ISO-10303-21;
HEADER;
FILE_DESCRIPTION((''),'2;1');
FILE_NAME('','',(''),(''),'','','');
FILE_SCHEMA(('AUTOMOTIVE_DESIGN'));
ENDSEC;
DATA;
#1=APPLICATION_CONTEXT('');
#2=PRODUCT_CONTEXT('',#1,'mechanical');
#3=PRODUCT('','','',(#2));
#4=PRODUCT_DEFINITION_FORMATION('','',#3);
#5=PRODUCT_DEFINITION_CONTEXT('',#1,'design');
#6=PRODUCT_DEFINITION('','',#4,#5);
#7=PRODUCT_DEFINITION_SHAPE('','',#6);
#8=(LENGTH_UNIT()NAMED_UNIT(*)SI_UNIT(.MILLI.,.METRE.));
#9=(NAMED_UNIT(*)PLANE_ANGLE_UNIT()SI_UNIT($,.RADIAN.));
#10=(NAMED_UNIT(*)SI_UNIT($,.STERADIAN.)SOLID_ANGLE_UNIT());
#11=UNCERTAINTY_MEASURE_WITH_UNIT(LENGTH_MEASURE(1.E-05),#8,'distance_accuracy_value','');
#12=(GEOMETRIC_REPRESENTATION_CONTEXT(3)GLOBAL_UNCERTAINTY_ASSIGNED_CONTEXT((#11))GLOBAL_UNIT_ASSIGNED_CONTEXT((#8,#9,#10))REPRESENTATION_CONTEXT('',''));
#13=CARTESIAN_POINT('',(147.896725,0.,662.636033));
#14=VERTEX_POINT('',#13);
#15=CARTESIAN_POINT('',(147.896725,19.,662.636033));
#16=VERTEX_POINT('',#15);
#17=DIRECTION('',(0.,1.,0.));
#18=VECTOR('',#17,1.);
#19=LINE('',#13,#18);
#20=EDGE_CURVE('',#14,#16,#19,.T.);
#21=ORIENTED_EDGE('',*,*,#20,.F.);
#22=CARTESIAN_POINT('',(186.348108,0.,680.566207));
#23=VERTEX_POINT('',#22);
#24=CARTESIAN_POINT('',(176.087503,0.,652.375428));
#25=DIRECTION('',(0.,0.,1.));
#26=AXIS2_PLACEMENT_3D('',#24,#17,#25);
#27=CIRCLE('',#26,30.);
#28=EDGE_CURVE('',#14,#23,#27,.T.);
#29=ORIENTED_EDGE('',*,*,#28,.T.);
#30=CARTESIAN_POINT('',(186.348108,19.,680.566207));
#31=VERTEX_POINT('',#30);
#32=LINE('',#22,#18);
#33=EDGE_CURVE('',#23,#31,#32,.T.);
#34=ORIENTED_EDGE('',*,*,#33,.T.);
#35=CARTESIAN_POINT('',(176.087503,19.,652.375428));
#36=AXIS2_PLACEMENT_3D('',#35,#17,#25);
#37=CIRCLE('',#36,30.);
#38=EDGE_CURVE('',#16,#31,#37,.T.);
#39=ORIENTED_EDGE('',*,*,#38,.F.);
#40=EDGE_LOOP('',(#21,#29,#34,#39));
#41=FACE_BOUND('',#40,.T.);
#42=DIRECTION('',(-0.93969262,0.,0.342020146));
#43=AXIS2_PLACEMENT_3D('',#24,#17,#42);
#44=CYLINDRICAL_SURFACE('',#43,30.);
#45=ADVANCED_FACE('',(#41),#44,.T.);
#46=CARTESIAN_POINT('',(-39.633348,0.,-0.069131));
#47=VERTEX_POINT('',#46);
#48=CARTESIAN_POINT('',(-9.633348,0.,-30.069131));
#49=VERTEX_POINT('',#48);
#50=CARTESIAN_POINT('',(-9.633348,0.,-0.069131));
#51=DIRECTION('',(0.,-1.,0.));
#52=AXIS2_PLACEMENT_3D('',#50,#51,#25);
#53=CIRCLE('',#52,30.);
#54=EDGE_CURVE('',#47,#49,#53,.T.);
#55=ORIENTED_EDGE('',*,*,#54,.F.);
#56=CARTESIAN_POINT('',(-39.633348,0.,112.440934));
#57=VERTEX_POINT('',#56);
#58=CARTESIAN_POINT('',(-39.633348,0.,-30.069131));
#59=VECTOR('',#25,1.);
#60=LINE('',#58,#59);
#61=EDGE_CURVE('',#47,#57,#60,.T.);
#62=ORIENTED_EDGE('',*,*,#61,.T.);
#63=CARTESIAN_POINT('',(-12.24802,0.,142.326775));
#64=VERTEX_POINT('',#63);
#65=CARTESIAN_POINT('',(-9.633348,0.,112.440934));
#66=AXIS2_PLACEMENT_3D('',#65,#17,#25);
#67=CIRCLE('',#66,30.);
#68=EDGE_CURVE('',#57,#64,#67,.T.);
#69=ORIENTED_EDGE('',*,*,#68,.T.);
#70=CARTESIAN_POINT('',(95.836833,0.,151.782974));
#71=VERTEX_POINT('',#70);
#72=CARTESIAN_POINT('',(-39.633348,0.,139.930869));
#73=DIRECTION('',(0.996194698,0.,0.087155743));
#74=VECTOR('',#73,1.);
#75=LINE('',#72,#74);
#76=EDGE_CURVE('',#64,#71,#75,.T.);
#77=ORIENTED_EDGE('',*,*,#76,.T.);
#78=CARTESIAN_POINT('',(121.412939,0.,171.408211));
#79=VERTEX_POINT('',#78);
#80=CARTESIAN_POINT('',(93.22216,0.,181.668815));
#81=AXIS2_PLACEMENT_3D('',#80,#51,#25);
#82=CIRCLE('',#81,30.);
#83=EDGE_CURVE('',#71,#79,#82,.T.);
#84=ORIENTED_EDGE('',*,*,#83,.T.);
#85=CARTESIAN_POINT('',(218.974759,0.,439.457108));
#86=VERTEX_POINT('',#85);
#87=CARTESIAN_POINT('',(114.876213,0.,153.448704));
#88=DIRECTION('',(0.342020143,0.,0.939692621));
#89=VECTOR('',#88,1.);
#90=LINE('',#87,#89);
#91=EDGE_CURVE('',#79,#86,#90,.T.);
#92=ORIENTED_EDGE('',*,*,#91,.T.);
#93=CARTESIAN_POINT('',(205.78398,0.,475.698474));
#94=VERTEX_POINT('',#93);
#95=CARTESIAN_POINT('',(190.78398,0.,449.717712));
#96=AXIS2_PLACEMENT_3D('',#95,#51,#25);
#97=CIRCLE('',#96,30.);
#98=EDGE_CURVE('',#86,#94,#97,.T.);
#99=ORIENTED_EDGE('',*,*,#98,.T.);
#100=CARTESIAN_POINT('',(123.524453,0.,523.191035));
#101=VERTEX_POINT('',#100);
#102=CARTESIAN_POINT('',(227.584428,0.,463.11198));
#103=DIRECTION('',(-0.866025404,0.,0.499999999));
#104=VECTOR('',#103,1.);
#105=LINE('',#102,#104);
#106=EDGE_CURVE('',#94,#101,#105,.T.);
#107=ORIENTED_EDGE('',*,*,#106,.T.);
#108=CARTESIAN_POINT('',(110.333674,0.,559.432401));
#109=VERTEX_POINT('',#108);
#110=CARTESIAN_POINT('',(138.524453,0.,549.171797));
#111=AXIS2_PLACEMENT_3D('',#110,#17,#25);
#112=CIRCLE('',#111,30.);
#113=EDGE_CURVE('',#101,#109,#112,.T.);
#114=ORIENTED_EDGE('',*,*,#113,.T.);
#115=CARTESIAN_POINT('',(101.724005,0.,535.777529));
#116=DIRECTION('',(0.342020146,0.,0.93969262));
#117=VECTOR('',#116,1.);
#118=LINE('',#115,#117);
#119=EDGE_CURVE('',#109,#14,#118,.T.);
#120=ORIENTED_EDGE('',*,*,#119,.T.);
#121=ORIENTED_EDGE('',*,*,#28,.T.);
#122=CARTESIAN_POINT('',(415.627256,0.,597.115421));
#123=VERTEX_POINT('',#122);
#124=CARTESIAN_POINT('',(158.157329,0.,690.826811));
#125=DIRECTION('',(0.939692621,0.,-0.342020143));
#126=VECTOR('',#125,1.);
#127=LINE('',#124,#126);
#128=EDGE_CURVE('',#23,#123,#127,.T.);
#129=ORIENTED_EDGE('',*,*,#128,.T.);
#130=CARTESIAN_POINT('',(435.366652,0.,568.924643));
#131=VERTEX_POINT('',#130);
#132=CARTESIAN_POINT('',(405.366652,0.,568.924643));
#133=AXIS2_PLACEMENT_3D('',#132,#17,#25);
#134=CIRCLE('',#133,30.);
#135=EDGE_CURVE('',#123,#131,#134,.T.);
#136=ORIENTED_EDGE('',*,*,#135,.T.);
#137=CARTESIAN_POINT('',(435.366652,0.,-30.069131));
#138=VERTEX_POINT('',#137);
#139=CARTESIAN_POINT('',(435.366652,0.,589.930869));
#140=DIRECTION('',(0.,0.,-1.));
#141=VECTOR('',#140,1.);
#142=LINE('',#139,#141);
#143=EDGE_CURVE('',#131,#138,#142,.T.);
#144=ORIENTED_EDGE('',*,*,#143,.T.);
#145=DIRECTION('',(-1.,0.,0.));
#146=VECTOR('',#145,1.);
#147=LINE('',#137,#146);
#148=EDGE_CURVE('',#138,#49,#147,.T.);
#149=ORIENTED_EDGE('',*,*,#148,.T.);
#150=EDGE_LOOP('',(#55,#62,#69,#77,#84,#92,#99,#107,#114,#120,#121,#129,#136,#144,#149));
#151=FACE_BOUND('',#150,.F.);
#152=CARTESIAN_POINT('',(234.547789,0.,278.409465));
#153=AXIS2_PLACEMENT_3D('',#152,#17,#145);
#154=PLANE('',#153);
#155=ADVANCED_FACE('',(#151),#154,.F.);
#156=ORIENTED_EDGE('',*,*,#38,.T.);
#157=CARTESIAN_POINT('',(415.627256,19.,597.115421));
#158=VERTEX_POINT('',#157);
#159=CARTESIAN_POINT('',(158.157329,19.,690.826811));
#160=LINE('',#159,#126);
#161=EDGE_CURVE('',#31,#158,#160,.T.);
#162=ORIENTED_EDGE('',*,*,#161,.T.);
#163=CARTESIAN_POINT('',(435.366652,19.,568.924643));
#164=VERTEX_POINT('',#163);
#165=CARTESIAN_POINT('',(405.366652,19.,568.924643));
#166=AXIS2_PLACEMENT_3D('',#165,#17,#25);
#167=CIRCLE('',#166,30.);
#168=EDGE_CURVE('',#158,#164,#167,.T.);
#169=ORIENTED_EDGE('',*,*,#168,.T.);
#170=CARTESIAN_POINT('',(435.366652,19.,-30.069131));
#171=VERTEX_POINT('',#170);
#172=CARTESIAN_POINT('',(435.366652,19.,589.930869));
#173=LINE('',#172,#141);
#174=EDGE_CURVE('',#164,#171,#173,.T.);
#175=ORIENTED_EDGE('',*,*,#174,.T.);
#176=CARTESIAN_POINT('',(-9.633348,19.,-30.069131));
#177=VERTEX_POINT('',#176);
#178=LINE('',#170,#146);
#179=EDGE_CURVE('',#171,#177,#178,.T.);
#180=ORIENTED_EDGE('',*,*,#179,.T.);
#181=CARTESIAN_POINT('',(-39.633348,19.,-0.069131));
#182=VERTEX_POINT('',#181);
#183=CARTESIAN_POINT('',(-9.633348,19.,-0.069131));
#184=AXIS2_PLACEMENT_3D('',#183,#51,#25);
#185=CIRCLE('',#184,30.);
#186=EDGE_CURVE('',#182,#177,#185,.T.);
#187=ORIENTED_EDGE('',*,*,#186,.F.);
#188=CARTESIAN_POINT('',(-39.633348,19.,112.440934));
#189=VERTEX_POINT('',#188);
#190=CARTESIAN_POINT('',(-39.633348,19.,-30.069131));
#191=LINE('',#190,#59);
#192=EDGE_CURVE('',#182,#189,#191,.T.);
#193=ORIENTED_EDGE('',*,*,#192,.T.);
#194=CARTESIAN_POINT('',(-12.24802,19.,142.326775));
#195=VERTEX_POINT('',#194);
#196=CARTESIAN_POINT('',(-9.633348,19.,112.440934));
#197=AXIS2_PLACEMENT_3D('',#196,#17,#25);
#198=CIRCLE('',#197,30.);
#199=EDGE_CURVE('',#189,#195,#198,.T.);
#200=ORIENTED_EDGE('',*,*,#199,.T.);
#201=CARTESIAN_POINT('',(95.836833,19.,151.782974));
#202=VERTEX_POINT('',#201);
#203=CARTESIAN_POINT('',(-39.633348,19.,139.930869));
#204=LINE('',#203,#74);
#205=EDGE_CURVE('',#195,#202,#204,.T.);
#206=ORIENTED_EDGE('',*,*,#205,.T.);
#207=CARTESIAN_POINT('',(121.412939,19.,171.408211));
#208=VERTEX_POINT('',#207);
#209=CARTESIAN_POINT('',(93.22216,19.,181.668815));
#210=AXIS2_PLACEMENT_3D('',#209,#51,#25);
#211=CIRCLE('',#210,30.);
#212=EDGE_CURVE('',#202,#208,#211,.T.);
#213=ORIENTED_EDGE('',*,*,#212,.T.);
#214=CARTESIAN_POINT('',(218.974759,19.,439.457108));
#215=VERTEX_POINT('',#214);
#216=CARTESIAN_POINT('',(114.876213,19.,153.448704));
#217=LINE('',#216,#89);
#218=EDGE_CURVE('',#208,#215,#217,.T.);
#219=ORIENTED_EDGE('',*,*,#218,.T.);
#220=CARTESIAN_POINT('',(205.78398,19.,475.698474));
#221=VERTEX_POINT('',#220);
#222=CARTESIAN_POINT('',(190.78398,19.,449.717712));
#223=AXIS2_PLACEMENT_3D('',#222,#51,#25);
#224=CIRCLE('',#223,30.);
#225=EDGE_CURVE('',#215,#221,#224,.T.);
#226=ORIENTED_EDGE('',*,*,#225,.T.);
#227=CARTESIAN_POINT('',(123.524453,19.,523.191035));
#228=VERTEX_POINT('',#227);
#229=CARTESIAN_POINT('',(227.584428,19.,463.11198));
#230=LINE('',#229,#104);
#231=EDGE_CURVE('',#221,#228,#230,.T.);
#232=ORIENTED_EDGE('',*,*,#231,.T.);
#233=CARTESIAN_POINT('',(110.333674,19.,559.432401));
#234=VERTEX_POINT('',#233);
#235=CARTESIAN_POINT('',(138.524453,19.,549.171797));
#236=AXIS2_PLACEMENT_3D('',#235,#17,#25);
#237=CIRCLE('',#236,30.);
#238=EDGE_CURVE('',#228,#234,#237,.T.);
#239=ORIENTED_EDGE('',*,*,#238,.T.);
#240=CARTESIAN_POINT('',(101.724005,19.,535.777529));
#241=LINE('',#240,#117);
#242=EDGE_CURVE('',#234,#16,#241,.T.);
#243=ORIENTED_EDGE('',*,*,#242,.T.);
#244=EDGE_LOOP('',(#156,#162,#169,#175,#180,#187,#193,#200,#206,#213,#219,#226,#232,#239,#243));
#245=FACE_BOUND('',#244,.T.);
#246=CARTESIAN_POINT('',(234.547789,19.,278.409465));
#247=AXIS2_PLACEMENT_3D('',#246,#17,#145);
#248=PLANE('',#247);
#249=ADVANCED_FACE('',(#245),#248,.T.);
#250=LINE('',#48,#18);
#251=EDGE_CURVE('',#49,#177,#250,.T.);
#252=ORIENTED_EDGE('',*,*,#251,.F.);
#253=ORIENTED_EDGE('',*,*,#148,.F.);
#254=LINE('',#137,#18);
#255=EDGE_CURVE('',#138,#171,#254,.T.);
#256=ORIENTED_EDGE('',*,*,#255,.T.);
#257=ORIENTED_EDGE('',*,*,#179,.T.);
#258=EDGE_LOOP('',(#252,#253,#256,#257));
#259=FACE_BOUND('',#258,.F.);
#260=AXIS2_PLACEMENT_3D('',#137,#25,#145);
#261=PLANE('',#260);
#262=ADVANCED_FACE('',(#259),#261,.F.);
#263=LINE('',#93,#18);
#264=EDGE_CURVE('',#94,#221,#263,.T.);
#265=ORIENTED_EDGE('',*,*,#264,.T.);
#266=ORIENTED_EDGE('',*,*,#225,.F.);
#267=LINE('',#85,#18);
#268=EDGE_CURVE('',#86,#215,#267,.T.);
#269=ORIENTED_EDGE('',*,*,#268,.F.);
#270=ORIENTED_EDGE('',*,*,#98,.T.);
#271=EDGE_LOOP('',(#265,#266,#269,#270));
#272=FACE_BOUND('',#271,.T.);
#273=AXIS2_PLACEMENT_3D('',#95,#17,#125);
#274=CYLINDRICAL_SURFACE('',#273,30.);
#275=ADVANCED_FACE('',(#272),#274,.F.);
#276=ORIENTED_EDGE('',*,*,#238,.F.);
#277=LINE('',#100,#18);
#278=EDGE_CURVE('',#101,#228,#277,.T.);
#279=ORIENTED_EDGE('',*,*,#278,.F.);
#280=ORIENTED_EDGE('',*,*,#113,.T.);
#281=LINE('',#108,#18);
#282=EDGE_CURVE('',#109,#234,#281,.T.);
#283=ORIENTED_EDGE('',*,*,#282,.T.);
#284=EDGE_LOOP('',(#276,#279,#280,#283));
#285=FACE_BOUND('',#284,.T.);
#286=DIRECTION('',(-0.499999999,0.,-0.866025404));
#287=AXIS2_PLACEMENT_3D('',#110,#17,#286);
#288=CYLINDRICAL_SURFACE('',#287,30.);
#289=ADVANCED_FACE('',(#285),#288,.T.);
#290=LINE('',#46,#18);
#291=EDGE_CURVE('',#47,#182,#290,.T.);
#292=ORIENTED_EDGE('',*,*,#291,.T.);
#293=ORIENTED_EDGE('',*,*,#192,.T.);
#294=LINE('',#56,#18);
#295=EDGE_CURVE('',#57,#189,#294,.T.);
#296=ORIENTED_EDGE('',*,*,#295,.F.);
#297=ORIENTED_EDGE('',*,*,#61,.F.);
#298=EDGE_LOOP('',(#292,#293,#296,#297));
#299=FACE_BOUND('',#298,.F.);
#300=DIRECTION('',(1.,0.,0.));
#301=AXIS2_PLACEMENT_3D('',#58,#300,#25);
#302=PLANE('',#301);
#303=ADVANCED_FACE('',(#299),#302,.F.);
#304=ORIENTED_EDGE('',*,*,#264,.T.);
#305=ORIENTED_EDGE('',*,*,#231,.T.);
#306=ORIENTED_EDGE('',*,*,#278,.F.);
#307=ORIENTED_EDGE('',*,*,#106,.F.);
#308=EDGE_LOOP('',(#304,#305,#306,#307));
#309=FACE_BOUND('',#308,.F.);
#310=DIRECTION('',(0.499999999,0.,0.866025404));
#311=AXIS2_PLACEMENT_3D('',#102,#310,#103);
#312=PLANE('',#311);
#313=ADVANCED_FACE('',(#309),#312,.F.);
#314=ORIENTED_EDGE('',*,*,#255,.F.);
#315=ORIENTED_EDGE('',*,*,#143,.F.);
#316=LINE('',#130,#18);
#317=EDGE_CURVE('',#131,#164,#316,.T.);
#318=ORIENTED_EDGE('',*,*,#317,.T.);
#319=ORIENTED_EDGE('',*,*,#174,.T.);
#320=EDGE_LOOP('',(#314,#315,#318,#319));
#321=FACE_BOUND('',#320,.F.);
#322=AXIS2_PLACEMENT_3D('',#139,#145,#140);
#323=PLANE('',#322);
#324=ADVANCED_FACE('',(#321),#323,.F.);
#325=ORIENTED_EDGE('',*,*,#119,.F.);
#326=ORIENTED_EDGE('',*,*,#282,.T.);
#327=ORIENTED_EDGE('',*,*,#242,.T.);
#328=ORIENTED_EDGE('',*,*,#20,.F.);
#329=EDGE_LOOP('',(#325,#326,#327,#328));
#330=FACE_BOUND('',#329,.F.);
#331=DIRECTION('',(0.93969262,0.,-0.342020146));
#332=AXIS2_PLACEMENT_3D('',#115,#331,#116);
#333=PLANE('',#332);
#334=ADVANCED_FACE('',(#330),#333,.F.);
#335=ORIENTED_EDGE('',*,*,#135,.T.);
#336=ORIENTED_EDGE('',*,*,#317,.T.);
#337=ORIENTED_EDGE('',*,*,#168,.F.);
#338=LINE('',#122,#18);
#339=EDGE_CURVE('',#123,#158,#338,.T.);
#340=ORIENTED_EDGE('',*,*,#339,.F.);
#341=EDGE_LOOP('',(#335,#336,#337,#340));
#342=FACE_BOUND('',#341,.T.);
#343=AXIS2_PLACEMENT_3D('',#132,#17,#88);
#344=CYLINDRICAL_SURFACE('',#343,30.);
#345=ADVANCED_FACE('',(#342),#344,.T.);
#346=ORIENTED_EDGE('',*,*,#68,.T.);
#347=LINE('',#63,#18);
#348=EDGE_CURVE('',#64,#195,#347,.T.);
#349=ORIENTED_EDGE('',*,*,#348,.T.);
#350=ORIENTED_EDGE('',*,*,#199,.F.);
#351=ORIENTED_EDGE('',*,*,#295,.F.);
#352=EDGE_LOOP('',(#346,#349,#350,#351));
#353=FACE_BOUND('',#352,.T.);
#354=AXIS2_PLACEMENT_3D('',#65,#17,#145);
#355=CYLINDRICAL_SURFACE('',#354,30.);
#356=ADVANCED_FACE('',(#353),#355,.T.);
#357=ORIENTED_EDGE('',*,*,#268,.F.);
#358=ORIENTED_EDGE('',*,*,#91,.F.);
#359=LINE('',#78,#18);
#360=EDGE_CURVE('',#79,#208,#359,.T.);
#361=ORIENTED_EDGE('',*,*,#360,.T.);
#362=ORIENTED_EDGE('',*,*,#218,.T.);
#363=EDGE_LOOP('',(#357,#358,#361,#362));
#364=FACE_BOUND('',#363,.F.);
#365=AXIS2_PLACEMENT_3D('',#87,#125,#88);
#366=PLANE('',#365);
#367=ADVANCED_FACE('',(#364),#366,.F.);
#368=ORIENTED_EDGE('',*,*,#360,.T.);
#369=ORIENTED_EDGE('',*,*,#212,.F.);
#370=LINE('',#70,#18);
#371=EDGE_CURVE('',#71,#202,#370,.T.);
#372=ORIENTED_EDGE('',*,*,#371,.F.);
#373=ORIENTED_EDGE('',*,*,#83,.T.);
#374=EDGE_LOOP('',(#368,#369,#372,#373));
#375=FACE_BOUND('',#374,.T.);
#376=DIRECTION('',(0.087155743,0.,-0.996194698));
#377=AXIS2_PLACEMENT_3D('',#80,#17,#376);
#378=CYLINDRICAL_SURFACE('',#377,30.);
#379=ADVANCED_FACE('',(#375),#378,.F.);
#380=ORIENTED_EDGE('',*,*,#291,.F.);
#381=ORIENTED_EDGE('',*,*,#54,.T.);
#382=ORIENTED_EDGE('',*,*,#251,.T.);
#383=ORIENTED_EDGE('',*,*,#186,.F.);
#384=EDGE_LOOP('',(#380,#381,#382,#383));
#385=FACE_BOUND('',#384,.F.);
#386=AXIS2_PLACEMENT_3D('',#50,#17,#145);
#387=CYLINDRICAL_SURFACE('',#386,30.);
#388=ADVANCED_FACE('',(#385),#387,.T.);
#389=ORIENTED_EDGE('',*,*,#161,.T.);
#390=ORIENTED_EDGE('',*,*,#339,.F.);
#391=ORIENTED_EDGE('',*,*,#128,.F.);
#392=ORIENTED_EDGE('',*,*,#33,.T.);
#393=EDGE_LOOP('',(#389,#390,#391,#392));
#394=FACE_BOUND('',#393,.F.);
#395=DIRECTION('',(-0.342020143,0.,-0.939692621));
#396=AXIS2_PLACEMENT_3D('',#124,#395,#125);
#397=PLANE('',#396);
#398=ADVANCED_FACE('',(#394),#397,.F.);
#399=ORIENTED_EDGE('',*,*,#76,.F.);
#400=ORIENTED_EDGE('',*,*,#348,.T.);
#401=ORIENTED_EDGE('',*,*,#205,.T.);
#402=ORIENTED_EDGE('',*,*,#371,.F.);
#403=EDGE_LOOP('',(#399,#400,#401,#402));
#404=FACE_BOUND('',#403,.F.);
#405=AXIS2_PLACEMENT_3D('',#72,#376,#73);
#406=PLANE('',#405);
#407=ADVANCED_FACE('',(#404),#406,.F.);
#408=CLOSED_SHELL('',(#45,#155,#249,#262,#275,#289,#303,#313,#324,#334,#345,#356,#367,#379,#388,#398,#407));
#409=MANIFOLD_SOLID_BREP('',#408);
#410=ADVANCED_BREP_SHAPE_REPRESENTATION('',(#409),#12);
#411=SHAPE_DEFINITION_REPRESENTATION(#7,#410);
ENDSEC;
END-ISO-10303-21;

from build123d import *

# Parameters (mm, degrees)
PAD_DEPTH = 19
FILLET_R  = 30


with BuildPart() as part:
    # Sketch001 → Pad (new body)
    with BuildSketch(Plane.XZ):
        Polygon((-39.633348, -30.069131), (-39.633348, 139.930869), (114.876213, 153.448704), (227.584428, 463.11198), (101.724005, 535.777529), (158.157329, 690.826811), (435.366652, 589.930869), (435.366652, -30.069131), align=None)
    extrude(amount=-PAD_DEPTH)

    # Fillet
    fillet_edges = [part.edges().sort_by_distance(p)[0] for p in [
        (-39.633348, 9.5, -30.069131),
        (-39.633348, 9.5, 139.930869),
        (101.724005, 9.5, 535.777529),
        (158.157329, 9.5, 690.826811),
        (435.366652, 9.5, 589.930869),
        (227.584428, 9.5, 463.11198),
        (114.876213, 9.5, 153.448704),
    ]]
    fillet(fillet_edges, radius=FILLET_R)


solid = part.part
